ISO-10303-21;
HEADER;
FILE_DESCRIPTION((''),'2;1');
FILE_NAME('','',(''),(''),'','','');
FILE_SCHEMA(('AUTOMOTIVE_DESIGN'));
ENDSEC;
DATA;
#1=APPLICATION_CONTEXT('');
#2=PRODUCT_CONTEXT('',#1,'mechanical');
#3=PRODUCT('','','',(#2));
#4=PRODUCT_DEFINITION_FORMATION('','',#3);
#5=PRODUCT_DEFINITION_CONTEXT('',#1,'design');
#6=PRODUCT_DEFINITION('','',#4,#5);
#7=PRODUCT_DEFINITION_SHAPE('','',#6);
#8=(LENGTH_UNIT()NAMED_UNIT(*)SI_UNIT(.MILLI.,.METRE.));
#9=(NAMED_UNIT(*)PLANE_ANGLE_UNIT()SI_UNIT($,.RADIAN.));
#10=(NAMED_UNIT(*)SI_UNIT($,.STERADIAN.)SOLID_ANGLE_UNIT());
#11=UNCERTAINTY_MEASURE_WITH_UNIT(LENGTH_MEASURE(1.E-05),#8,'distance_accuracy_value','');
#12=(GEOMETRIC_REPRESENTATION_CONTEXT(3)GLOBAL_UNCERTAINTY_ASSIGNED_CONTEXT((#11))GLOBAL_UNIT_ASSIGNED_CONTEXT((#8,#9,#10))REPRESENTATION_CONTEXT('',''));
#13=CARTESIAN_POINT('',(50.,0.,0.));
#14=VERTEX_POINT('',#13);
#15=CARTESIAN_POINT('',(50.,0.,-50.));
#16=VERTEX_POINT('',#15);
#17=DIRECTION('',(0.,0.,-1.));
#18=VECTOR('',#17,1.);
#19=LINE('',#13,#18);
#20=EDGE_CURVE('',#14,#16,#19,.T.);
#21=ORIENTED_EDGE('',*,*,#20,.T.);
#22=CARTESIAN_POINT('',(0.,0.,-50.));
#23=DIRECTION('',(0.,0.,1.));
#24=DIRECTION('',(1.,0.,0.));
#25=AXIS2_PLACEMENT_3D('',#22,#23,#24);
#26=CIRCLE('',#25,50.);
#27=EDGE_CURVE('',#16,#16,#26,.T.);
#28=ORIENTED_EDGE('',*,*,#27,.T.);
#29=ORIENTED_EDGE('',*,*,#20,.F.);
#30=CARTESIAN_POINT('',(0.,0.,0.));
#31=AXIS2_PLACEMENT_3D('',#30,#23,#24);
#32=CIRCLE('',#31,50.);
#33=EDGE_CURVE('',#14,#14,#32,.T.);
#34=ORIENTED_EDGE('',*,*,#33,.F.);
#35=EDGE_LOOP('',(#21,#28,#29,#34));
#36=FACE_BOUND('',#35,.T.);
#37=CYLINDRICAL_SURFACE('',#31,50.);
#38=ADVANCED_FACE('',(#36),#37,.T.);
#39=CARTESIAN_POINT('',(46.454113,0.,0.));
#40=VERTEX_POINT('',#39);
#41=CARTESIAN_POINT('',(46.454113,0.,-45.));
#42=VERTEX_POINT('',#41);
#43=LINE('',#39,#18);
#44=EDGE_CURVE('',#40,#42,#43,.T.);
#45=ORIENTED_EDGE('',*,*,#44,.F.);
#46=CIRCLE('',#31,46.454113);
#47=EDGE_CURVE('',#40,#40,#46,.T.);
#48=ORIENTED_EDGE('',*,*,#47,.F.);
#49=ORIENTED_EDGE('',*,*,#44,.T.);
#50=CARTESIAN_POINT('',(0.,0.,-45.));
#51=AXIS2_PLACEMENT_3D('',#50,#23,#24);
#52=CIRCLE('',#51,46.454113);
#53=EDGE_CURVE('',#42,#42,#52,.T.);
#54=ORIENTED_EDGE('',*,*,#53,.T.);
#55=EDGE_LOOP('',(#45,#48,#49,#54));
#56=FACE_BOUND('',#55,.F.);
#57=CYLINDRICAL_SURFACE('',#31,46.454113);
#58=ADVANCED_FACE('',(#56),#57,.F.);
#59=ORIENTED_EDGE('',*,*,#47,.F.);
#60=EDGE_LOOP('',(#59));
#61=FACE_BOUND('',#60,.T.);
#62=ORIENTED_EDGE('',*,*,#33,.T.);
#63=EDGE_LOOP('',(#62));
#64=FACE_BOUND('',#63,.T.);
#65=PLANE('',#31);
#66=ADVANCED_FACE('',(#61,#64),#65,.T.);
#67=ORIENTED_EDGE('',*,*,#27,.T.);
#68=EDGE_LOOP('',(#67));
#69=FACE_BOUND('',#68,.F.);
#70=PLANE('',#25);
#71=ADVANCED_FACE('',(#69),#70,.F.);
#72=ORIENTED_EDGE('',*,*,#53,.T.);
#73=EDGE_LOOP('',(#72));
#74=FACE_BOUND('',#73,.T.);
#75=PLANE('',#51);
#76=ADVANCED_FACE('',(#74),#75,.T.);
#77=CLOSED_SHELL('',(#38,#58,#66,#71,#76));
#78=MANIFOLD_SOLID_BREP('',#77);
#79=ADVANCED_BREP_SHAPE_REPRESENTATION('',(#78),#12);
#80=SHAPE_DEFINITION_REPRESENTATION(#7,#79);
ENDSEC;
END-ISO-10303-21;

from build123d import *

# Parameters (mm, degrees)
F0_R     = 50
F1_DEPTH = 50
F2_R     = 46.454113
F3_DEPTH = 45


with BuildPart() as f1:
    # F0 (on Top) → F1 (new body)
    with BuildSketch(Plane.XY):
        Circle(F0_R)
    extrude(amount=-F1_DEPTH)

    # F2 (on face) → F3 (cut)
    with BuildSketch(Plane.XY):
        Circle(F2_R)
    extrude(amount=-F3_DEPTH, mode=Mode.SUBTRACT)


solid = f1.part
